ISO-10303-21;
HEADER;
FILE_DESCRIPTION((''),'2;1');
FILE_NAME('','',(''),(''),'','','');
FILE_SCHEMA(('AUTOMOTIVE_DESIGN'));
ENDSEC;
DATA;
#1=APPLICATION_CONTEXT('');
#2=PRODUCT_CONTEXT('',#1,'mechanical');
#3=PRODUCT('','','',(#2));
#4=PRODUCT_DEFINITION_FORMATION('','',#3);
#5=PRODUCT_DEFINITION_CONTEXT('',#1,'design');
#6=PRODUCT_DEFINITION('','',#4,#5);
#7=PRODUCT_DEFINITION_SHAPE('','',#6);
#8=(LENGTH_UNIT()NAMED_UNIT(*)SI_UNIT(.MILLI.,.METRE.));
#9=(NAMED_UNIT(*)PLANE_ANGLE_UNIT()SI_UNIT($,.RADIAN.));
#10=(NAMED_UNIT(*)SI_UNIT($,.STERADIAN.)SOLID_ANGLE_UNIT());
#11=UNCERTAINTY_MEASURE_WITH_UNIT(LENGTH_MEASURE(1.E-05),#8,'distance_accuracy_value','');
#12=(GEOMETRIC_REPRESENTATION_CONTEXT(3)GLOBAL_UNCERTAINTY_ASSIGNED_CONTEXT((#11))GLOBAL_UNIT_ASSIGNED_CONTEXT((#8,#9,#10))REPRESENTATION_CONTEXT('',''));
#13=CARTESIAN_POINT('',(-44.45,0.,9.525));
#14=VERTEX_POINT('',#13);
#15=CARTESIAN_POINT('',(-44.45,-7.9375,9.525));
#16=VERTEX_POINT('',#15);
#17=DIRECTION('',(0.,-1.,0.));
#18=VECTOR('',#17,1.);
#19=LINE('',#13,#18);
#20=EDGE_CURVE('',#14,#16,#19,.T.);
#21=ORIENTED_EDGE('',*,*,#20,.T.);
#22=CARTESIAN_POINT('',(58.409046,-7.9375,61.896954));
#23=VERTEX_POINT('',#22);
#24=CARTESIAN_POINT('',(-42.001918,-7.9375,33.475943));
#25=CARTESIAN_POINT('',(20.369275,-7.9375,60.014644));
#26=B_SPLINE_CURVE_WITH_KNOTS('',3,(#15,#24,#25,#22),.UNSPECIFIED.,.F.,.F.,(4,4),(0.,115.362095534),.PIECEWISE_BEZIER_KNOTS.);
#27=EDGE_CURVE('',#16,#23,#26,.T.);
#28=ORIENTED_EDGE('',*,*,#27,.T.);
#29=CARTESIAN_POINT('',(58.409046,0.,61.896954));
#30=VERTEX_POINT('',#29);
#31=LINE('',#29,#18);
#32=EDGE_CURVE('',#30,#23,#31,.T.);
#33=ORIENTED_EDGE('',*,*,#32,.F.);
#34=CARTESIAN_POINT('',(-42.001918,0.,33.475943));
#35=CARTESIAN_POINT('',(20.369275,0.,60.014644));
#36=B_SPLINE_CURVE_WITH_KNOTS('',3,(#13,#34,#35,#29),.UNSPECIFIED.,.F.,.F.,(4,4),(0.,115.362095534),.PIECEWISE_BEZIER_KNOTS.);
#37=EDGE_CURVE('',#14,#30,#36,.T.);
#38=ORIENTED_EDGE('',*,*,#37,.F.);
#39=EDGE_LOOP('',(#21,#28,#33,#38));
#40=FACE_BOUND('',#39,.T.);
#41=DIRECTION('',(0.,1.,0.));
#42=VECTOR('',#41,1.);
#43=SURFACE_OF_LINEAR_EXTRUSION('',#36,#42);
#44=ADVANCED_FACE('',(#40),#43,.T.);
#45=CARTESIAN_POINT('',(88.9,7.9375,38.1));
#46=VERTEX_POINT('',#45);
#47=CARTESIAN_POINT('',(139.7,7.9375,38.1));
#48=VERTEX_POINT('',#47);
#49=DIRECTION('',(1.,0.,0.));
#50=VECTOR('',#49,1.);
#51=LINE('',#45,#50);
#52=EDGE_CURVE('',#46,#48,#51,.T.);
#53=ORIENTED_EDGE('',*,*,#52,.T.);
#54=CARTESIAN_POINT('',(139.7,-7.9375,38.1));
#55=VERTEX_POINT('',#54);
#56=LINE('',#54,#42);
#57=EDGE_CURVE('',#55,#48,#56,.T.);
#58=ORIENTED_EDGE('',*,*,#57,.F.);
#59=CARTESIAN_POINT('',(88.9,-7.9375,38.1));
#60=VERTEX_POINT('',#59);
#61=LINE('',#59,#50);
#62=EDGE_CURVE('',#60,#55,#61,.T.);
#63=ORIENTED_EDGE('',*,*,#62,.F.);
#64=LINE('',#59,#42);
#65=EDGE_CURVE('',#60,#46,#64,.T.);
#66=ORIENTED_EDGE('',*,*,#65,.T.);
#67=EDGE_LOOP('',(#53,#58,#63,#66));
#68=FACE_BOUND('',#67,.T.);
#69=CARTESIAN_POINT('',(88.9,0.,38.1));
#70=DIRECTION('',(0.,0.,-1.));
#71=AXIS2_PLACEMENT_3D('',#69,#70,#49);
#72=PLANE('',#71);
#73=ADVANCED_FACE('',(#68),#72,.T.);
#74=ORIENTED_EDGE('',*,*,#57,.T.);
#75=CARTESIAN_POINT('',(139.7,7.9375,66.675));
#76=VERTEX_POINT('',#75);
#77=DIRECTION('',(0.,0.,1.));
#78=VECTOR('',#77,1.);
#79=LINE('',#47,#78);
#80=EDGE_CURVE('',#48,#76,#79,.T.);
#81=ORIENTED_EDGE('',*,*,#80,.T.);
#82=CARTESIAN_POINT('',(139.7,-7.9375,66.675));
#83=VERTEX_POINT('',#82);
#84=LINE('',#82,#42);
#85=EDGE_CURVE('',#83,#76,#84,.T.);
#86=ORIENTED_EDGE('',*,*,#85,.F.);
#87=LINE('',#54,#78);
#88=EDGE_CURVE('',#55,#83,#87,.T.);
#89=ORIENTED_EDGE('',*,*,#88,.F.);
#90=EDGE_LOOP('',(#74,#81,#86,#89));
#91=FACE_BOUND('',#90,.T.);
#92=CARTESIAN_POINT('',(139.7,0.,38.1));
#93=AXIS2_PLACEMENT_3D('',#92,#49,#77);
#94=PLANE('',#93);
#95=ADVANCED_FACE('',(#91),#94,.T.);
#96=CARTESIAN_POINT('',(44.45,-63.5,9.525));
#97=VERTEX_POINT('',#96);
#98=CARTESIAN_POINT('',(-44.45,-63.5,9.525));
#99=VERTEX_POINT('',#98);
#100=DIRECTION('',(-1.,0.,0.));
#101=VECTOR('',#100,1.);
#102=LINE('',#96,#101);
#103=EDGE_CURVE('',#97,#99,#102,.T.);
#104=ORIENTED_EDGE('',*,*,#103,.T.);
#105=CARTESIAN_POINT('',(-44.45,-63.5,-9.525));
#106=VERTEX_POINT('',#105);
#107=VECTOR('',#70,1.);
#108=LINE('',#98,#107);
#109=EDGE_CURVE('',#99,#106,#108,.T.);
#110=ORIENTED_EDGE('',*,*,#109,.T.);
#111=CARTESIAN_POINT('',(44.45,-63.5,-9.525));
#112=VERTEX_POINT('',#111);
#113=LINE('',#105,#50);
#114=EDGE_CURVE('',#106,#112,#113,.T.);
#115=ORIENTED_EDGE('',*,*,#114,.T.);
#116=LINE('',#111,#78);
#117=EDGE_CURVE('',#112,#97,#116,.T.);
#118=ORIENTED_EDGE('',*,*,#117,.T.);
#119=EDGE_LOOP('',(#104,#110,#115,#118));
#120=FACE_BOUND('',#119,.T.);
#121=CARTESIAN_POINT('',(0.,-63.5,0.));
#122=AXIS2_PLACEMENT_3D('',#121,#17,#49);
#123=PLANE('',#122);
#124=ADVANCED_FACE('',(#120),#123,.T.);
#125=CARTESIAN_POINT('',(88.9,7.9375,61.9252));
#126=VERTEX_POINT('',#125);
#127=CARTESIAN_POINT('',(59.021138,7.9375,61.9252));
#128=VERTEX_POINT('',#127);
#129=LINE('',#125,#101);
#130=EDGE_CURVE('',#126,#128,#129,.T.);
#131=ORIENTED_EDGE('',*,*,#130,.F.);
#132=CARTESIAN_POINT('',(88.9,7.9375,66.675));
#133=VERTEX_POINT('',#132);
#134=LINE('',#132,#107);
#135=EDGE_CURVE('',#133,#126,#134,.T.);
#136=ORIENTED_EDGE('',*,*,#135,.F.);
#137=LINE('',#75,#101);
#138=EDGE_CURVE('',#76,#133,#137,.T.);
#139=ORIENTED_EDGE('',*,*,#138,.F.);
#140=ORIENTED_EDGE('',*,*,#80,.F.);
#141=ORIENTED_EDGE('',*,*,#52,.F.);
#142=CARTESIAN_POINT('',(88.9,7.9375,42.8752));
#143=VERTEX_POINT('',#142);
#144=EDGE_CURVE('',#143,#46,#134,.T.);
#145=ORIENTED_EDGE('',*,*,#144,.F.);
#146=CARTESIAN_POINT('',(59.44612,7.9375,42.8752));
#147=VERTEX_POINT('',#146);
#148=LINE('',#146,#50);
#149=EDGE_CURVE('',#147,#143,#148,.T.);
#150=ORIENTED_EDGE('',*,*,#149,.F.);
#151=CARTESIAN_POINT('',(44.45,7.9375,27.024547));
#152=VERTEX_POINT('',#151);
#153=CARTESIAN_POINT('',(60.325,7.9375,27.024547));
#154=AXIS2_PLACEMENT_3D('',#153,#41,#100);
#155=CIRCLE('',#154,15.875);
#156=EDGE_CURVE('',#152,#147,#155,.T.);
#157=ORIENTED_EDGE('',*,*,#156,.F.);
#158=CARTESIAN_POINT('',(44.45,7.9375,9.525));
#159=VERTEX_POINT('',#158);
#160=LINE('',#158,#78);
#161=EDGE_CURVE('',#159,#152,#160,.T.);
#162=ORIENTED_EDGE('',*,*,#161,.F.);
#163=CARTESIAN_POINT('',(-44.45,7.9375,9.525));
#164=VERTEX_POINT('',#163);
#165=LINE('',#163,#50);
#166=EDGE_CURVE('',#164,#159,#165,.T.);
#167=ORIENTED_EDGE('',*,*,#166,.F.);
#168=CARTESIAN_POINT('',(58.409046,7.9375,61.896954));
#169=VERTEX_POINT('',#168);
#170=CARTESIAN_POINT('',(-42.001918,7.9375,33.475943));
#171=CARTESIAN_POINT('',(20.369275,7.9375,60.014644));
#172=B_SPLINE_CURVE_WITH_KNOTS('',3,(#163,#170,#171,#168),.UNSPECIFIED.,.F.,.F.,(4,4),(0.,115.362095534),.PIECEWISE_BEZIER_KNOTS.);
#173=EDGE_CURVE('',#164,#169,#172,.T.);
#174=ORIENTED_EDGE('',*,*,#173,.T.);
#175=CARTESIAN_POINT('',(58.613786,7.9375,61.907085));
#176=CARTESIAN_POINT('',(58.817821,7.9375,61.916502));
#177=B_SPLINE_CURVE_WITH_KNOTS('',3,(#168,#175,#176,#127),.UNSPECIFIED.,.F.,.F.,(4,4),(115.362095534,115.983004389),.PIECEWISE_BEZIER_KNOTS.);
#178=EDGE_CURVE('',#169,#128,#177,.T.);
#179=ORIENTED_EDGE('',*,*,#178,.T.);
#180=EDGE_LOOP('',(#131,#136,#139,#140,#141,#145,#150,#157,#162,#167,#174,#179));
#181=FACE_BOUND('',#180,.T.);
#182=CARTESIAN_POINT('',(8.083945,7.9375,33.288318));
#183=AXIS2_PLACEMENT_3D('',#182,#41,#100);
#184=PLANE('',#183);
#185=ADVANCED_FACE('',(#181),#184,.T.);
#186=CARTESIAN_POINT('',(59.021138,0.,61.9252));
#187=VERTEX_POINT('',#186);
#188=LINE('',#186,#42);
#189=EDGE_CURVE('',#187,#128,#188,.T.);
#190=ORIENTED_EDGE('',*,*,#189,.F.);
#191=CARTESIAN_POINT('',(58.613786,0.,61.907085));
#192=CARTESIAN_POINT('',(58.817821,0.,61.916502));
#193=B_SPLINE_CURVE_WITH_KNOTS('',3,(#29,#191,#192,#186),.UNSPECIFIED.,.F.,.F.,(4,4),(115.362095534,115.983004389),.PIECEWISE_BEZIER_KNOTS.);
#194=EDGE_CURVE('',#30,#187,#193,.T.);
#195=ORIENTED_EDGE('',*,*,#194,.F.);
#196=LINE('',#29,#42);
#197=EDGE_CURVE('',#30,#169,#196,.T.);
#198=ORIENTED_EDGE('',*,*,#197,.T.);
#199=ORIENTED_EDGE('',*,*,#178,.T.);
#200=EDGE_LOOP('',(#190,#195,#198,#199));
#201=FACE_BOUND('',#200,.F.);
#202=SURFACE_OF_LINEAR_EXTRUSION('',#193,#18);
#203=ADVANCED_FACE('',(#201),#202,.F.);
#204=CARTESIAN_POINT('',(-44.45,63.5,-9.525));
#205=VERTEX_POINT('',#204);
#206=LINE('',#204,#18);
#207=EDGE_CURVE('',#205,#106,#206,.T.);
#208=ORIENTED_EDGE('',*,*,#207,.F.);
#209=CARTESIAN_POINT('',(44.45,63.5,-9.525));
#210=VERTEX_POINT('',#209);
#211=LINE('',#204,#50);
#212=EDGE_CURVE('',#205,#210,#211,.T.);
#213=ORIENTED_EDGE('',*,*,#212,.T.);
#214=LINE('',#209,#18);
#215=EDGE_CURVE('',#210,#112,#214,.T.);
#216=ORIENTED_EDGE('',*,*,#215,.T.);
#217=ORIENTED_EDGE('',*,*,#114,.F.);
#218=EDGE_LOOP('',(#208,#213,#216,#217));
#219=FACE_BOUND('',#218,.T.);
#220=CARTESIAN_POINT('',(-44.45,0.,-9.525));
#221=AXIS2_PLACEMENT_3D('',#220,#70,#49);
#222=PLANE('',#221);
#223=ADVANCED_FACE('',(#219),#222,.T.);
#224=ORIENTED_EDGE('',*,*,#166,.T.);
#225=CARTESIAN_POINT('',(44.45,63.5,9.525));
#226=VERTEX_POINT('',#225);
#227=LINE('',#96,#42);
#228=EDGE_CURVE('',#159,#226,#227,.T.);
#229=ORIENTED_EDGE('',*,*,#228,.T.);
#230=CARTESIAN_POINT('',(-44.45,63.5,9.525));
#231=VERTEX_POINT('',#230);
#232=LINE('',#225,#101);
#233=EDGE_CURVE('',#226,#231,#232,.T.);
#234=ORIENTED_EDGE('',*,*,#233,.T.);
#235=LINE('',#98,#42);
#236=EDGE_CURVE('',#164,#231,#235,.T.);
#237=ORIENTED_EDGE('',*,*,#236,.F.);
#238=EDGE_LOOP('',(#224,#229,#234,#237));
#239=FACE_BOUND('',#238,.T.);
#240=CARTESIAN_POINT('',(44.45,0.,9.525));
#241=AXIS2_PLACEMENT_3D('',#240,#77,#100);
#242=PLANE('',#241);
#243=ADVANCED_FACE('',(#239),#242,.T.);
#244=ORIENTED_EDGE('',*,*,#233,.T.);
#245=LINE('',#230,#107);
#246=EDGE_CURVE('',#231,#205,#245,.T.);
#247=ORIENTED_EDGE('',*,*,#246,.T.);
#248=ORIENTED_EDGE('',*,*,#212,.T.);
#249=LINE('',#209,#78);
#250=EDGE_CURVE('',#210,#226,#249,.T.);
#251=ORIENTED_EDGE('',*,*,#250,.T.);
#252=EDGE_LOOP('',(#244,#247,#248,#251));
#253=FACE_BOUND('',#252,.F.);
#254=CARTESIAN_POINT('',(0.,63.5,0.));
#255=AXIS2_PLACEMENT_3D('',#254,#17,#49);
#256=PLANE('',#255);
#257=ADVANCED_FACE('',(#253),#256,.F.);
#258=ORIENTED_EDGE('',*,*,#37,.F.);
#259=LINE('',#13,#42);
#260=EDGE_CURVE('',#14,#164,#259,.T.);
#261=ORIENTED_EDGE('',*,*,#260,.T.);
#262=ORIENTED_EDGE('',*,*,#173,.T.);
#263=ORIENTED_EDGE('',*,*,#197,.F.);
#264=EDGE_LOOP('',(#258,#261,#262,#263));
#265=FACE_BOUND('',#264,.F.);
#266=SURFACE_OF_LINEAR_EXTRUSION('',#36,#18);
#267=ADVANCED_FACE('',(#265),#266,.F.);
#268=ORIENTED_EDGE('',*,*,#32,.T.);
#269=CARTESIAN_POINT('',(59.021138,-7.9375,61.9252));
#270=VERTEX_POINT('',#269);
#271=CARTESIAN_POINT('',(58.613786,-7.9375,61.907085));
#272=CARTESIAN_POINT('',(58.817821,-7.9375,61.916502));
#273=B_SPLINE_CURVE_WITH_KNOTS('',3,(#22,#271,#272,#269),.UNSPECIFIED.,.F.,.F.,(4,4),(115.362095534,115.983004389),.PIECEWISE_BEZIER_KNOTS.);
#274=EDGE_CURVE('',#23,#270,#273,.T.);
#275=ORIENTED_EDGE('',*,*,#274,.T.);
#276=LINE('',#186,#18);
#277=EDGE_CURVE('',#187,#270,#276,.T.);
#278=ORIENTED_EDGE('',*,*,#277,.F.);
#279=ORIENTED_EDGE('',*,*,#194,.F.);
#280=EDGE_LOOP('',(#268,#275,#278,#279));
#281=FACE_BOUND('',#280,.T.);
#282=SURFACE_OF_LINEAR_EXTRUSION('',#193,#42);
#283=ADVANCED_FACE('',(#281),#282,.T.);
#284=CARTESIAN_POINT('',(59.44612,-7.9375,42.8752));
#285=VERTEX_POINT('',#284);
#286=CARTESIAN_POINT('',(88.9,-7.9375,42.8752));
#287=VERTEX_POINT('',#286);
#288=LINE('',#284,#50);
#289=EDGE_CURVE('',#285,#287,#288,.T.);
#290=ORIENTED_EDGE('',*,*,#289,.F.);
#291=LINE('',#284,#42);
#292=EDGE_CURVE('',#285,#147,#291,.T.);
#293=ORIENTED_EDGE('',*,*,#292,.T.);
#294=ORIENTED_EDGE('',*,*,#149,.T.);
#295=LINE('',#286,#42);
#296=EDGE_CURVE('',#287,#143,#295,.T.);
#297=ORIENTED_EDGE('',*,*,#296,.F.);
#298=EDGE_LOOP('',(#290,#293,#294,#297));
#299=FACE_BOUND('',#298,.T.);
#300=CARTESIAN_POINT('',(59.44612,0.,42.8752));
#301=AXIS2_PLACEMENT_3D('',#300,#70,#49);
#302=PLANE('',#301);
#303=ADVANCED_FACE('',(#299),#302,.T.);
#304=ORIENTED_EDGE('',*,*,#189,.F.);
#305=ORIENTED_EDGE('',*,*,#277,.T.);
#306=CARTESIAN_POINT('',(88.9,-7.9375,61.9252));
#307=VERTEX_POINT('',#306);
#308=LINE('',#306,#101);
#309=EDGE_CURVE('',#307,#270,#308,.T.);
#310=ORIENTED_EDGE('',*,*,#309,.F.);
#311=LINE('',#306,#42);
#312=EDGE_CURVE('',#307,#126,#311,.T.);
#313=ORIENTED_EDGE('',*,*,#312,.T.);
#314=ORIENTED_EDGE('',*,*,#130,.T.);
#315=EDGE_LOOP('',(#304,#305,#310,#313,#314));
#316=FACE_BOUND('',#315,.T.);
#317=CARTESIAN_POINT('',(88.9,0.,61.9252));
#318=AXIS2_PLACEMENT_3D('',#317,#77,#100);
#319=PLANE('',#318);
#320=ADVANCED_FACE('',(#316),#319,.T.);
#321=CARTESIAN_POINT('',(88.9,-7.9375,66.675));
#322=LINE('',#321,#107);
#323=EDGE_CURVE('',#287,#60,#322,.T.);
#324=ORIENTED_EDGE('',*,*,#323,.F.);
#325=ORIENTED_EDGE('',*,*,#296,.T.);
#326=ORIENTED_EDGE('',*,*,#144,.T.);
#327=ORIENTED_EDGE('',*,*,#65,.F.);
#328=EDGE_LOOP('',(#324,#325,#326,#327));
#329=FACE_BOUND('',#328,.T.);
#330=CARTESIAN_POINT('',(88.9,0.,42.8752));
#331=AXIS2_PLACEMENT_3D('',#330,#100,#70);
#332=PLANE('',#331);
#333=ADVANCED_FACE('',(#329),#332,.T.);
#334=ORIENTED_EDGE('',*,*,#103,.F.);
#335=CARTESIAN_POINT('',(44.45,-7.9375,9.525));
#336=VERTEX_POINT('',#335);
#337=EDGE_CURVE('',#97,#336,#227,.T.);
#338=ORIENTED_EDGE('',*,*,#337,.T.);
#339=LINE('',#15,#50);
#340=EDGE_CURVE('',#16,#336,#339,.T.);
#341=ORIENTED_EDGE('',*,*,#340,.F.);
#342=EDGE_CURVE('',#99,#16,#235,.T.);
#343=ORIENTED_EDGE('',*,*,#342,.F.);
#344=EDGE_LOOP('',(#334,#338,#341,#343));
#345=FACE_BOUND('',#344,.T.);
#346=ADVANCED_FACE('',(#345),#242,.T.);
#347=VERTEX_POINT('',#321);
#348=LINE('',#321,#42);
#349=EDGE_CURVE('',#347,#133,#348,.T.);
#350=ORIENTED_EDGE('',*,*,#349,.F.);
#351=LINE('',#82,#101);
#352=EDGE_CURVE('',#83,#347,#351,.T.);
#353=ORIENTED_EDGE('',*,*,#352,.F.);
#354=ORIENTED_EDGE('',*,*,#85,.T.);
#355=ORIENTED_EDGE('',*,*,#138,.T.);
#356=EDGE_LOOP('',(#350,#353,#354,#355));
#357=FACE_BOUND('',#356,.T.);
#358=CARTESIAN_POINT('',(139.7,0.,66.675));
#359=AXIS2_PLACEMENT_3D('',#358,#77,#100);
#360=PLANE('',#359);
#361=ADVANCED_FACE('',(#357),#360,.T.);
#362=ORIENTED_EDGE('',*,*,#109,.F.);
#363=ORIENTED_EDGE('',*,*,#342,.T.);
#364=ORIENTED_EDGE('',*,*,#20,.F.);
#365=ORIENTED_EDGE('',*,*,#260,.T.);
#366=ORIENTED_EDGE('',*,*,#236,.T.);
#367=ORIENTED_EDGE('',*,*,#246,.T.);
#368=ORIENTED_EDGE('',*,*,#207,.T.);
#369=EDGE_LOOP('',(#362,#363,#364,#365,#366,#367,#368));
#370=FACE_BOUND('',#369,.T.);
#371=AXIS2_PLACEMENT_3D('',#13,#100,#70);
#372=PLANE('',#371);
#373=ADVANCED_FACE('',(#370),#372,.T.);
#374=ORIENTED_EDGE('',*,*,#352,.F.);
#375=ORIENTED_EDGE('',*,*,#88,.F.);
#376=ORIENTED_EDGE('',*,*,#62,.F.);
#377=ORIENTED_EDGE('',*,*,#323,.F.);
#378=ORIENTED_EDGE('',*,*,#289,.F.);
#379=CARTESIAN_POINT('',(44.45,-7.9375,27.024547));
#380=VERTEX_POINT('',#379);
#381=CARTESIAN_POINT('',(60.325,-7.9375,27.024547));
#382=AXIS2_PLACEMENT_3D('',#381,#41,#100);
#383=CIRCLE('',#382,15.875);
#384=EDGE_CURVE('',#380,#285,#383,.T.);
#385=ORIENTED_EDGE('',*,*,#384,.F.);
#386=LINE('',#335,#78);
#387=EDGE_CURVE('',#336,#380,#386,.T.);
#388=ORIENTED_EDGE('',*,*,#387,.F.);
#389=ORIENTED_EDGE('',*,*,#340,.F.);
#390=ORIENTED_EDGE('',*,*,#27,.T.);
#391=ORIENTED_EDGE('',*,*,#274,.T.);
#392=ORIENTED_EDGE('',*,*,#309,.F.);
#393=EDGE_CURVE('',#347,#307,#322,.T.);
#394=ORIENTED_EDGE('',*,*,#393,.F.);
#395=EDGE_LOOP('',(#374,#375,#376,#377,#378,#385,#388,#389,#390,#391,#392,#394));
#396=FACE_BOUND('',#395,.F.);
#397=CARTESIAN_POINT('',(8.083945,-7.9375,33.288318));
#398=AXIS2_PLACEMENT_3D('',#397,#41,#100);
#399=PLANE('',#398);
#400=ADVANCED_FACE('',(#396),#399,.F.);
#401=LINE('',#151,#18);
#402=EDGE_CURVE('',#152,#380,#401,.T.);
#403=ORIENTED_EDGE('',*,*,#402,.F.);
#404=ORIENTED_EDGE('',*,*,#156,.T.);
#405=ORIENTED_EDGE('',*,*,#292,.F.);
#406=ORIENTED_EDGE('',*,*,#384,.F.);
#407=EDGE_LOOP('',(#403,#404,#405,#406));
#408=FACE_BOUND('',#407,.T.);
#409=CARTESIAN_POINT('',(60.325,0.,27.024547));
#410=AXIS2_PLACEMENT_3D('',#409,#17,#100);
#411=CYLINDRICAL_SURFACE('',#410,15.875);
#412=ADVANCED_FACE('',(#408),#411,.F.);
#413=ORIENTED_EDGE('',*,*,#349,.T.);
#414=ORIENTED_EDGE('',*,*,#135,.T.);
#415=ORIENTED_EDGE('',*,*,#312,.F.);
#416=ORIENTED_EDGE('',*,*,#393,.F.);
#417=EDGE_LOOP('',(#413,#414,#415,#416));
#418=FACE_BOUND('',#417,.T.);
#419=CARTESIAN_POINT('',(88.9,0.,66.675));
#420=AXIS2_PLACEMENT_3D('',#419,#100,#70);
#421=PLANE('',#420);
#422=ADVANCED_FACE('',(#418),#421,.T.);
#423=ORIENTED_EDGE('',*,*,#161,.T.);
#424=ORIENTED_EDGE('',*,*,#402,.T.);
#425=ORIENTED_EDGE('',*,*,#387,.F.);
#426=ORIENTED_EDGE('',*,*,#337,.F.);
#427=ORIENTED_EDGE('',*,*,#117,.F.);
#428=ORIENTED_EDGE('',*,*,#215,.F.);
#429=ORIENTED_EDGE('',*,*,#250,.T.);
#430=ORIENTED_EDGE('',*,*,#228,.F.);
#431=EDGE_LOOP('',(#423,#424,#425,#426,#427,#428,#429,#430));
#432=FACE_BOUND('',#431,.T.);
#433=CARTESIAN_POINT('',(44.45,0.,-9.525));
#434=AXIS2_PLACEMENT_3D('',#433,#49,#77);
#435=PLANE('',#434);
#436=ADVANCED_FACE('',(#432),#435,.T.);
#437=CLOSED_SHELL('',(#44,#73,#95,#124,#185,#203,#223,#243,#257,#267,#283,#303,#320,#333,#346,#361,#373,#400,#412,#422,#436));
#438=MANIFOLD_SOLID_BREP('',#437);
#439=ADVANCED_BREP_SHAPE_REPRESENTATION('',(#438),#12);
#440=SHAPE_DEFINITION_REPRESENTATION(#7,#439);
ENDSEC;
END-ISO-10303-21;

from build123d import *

# Parameters (mm, degrees)
F1_DEPTH = 63.5
F0_W     = 25.4
F0_H     = 4.7498
F0_H_2   = 4.7752
F2_DEPTH = 7.9375


with BuildPart() as f1:
    # F0 (on Front) → F1 (new body, symmetric)
    with BuildSketch(Plane.XZ):
        Polygon((25.4, 9.525), (-44.45, 9.525), (-44.45, -9.525), (44.45, -9.525), (44.45, 9.525), align=None)
    extrude(amount=F1_DEPTH, both=True)

    # F0 (on Front) → F2 (join, symmetric)
    with BuildSketch(Plane.XZ):
        with BuildLine():
            add(Edge.make_bspline(
                [(-44.45, 9.525), (-42.0019178226, 33.4759426415), (20.3692746454, 60.014643523), (58.4090455621, 61.8969537879)],
                knots=[0, 0, 0, 0, 115.3620955336, 115.3620955336, 115.3620955336, 115.3620955336], degree=3))
            Line((-44.45, 9.525), (25.4, 9.525))
            Line((25.4, 9.525), (25.4, 27.0245471661))
            ThreePointArc((25.4, 27.0245471661), (34.9609473492, 51.0333051125), (58.4090455621, 61.8969537879))
        make_face()
        Polygon((114.3, 66.675), (114.3, 61.9252), (114.3, 52.3875), (114.3, 42.8752), (114.3, 38.1), (139.7, 38.1), (139.7, 66.675), align=None)
        Polygon((114.3, 61.9252), (88.9, 61.9252), (88.9, 42.8752), (114.3, 42.8752), (114.3, 52.3875), align=None)
        with Locations((101.6, 64.3001)):
            Rectangle(F0_W, F0_H)
        with Locations((101.6, 40.4876)):
            Rectangle(F0_W, F0_H_2)
        with BuildLine():
            Line((25.4, 27.0245471661), (25.4, 9.525))
            Line((25.4, 9.525), (44.45, 9.525))
            Line((44.45, 9.525), (44.45, 27.0245471661))
            ThreePointArc((44.45, 27.0245471661), (48.793134536, 37.9347123308), (59.446120179, 42.8752))
            Line((59.446120179, 42.8752), (88.9, 42.8752))
            Line((88.9, 42.8752), (88.9, 61.9252))
            Line((88.9, 61.9252), (59.0211377493, 61.9252))
            add(Edge.make_bspline(
                [(58.4090455621, 61.8969537879), (58.6137855205, 61.9070848721), (58.8178206284, 61.9165016921), (59.0211377493, 61.9252)],
                knots=[115.3620955336, 115.3620955336, 115.3620955336, 115.3620955336, 115.9830043893, 115.9830043893, 115.9830043893, 115.9830043893], degree=3))
            ThreePointArc((58.4090455621, 61.8969537879), (34.9609473492, 51.0333051125), (25.4, 27.0245471661))
        make_face()
    extrude(amount=F2_DEPTH, both=True)


solid = f1.part
